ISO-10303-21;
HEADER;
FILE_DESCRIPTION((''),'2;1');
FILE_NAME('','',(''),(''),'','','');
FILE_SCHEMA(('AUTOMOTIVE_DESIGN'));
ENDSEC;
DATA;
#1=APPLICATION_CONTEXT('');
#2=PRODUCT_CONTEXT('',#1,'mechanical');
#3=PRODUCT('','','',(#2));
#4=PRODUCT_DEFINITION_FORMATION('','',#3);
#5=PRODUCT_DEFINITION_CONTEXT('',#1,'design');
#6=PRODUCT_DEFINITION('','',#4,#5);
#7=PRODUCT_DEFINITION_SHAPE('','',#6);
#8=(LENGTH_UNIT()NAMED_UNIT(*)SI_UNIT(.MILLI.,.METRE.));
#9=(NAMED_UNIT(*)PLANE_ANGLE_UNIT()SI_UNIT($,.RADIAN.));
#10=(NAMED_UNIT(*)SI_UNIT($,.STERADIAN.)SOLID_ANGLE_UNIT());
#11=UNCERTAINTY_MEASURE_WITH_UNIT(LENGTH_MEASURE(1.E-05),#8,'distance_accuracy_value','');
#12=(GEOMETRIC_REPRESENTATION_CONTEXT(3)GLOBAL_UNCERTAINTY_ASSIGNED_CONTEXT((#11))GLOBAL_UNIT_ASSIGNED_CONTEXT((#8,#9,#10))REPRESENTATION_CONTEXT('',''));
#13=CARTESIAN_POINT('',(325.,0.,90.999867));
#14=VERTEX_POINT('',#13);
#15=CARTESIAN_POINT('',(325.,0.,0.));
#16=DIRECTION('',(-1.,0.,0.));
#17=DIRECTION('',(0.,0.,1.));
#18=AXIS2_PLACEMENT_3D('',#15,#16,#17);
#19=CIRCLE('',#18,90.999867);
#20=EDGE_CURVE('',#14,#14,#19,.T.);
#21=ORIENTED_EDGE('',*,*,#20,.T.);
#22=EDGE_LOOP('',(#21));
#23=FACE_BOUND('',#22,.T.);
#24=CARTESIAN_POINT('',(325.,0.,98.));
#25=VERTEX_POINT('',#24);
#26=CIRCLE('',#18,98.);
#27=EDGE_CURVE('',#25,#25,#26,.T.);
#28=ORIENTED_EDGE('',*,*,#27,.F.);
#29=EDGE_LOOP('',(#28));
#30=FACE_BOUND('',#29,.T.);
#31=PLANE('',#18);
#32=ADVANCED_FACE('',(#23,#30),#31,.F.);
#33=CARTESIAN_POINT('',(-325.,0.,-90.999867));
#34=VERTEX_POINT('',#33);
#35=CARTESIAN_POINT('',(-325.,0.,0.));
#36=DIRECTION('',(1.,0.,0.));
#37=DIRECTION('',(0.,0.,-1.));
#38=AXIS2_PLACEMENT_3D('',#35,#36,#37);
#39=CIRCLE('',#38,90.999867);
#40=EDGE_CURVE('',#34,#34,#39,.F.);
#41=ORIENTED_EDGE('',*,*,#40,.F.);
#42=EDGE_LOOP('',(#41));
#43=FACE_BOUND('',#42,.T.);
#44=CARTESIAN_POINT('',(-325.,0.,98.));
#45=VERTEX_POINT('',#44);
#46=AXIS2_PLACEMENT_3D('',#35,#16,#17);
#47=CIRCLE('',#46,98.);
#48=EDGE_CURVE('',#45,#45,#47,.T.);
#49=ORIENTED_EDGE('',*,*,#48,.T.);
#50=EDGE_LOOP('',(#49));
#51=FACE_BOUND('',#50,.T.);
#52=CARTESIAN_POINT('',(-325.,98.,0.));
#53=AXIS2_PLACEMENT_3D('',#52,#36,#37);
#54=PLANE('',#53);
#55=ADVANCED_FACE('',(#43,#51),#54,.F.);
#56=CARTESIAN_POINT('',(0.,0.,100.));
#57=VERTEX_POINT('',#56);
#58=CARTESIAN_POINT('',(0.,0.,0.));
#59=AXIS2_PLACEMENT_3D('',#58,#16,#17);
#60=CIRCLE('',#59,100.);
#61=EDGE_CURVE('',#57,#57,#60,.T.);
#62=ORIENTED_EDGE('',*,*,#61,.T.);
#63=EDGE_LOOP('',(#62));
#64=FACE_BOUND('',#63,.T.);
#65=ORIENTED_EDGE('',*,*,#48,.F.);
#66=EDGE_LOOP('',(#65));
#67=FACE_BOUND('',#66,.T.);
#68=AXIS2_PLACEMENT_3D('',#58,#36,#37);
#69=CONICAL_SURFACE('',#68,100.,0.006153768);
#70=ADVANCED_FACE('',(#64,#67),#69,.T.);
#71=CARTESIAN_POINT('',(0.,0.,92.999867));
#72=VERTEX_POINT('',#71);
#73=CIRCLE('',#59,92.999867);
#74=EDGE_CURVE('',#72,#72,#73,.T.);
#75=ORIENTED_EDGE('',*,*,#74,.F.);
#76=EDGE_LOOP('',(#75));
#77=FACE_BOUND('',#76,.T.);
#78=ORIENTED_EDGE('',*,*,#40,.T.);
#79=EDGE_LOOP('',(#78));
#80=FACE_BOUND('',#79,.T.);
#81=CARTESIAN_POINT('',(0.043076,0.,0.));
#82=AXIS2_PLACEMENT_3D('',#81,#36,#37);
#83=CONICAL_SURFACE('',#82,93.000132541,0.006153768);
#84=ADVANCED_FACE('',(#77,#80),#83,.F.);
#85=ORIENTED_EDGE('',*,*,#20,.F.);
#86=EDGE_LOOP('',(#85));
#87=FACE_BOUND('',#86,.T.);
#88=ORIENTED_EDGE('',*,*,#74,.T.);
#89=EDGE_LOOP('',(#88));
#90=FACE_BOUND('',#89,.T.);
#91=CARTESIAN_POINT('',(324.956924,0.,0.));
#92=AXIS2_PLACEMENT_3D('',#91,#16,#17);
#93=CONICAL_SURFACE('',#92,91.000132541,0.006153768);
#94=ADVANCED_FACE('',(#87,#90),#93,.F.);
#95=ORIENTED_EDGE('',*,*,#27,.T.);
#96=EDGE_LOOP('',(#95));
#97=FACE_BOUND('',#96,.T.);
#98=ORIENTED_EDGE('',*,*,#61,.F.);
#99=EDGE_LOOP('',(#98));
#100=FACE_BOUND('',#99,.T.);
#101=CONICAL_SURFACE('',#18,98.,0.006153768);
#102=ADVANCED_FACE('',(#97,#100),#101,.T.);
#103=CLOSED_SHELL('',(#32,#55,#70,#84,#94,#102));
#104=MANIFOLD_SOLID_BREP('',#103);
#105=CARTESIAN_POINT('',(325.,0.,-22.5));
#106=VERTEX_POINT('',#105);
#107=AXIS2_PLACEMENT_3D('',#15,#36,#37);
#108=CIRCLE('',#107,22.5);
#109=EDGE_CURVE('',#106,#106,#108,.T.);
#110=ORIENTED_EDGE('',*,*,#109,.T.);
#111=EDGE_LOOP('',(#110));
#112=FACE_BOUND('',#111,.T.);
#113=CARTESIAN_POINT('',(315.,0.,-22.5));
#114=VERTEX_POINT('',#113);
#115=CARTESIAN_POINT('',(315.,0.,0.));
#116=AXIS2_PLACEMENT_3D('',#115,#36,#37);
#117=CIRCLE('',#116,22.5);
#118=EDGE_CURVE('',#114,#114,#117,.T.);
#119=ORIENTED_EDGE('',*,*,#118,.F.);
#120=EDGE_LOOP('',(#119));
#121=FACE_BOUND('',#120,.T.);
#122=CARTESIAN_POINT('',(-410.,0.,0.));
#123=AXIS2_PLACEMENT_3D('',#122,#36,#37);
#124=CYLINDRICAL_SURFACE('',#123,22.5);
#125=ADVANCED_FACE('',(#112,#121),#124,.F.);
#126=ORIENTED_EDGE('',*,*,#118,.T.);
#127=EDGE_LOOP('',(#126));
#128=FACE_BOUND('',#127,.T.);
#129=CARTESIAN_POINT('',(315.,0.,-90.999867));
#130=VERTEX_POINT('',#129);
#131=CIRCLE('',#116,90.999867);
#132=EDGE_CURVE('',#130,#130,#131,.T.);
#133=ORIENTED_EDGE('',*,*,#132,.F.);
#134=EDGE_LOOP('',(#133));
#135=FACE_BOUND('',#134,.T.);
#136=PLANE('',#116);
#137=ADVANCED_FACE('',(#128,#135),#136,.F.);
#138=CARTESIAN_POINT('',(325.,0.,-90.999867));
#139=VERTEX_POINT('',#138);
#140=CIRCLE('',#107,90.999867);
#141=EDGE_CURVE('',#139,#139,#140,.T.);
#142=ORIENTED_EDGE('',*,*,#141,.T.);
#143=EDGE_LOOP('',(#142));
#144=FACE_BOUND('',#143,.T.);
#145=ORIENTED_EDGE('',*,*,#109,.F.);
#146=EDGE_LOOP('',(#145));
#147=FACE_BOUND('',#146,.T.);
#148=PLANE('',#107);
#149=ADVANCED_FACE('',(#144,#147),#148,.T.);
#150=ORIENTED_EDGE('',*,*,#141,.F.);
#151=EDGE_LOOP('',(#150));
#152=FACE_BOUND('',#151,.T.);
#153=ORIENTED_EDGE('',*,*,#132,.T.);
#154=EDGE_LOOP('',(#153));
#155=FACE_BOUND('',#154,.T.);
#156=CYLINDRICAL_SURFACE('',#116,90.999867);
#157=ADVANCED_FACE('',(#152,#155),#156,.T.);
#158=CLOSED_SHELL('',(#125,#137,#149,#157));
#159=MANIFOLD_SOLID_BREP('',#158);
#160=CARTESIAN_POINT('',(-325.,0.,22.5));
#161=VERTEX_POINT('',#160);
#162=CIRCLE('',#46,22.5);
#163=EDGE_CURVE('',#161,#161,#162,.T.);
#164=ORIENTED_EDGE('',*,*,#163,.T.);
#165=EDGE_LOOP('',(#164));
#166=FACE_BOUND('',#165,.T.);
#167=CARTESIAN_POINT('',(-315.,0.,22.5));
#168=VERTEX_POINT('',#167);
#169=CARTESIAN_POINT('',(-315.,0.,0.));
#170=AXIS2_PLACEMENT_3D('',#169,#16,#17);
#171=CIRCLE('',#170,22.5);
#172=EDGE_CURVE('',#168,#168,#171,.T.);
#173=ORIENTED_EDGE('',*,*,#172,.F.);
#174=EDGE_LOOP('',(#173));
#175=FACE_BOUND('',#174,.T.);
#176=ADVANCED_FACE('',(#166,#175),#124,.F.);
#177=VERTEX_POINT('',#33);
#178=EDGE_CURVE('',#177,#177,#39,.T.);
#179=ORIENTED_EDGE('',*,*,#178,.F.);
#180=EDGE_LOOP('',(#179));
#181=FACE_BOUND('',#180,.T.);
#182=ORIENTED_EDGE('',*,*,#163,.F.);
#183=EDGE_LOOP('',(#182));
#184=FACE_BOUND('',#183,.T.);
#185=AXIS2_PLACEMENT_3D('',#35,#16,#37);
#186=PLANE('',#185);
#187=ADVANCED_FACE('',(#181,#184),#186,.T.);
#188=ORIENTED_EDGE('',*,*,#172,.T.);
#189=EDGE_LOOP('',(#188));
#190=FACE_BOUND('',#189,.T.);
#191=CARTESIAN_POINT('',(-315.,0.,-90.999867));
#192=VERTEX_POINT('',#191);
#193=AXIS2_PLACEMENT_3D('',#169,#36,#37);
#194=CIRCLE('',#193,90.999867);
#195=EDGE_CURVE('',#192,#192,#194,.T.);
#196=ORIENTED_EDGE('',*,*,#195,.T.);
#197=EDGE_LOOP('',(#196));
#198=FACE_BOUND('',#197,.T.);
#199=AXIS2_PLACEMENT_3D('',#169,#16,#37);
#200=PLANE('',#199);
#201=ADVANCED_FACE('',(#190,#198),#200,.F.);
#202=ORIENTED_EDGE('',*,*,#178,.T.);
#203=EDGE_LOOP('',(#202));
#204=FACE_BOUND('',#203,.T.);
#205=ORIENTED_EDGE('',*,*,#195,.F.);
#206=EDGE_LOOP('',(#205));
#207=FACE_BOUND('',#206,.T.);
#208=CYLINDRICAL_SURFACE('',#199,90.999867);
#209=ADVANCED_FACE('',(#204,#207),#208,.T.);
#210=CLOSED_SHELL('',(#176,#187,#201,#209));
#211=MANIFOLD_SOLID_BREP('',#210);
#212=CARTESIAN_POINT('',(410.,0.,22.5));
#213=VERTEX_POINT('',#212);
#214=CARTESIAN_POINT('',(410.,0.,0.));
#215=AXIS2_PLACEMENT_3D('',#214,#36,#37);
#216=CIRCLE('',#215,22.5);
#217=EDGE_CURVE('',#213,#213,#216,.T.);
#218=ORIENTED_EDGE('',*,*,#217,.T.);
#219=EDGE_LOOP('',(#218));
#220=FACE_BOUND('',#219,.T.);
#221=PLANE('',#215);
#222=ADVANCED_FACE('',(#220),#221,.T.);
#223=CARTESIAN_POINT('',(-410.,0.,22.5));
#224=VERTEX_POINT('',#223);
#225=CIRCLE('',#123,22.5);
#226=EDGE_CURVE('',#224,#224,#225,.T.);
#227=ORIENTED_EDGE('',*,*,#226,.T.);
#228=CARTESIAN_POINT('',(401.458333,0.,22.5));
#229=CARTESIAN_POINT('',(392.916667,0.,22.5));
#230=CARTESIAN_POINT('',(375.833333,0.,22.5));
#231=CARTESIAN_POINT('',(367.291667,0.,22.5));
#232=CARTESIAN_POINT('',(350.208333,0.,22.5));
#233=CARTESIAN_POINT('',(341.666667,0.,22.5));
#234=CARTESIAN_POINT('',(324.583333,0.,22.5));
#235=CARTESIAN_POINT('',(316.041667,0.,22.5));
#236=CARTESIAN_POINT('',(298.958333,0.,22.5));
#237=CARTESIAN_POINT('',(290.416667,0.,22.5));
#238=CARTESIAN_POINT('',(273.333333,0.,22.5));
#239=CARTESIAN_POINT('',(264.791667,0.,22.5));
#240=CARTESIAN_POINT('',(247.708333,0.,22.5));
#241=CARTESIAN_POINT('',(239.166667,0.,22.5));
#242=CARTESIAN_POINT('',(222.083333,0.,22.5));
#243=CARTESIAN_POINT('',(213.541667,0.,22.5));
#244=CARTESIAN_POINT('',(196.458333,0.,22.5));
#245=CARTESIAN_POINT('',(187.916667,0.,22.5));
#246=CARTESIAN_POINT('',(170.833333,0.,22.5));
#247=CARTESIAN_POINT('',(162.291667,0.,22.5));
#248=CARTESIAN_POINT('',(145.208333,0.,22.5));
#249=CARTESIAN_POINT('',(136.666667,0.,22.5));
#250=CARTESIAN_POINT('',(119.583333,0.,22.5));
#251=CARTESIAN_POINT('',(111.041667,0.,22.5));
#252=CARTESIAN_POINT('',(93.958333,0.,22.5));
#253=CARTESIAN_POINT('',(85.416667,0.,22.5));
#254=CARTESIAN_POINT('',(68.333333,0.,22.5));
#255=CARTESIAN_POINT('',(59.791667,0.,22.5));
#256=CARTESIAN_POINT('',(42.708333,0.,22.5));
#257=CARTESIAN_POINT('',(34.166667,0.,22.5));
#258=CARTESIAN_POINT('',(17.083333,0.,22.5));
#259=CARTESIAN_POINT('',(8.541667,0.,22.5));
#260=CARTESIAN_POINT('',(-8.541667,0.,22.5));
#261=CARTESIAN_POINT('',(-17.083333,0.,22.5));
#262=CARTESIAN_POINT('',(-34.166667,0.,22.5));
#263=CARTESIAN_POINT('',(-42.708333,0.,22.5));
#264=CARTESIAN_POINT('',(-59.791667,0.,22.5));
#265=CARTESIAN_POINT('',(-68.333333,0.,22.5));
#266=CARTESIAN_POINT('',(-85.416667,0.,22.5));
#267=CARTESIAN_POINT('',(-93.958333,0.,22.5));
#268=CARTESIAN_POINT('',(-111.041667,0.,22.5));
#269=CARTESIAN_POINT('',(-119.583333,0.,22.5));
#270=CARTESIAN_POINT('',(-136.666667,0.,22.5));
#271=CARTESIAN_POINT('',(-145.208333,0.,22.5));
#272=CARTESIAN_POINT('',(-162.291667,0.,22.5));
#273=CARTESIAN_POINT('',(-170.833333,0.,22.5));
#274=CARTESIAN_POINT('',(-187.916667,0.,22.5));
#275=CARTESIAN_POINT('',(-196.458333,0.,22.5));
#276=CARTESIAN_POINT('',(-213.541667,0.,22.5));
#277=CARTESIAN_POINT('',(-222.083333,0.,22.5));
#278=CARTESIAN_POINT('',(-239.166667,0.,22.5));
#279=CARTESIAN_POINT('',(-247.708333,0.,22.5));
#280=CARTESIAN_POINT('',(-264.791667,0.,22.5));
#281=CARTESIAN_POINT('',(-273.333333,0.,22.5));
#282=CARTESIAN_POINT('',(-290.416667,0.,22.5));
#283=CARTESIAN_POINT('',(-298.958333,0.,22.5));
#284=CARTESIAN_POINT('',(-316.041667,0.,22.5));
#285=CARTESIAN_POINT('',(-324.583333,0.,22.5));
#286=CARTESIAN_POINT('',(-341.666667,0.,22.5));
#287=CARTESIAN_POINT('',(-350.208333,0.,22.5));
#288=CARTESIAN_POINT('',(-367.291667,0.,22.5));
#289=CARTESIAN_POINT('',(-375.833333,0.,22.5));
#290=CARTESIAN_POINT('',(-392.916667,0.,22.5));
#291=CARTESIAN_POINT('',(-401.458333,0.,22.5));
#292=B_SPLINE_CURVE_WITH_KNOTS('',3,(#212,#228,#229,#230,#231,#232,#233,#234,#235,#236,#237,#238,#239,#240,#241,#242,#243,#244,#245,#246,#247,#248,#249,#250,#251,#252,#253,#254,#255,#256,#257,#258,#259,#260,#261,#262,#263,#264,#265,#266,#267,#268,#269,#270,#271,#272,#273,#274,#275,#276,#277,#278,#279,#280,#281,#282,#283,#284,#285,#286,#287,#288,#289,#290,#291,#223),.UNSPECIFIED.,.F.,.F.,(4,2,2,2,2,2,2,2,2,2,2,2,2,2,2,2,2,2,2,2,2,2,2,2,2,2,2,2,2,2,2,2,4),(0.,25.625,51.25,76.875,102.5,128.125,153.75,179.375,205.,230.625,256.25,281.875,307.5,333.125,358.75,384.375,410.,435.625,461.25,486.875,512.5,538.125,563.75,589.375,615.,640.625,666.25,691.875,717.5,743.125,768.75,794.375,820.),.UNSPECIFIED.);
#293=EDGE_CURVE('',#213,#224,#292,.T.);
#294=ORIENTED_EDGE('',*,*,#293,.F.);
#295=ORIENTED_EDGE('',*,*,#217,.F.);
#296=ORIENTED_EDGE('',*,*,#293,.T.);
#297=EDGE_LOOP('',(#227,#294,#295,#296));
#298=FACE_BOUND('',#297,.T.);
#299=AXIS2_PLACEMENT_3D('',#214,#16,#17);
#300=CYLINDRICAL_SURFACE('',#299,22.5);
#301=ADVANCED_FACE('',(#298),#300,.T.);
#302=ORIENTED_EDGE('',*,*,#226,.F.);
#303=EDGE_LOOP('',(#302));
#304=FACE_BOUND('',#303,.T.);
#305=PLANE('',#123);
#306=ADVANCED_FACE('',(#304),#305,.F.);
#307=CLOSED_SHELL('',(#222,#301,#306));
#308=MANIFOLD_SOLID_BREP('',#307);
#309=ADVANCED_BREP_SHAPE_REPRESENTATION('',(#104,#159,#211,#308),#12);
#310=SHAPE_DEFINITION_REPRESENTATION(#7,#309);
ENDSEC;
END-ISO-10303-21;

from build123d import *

# Parameters (mm, degrees)
SHELL1_T            = -7
SKETCH2_R           = 90.999867457
BOSS_EXTRUDE1_DEPTH = 10
SKETCH3_R           = 22.5
CUT_EXTRUDE1_DEPTH  = 735
SKETCH4_R           = 22.5
BOSS_EXTRUDE2_DEPTH = 410


with BuildPart() as part:
    # Sketch1 → Revolve1 (revolve)
    with BuildSketch(Plane.XY, mode=Mode.PRIVATE) as revolve1_sk:
        Polygon((-325, 98), (0, 100), (325, 98), (325, 0), (-325, 0), align=None)
    revolve(revolve1_sk.sketch.rotate(Axis((-325, 0, 0), (1, 0, 0)), 90), axis=Axis((-325, 0, 0), (1, 0, 0)))

    # Shell1
    shell1_openings = [part.faces().sort_by_distance(p)[0] for p in [
        (325, 0, 0),
        (-325, 0, 0),
    ]]
    offset(amount=SHELL1_T, openings=shell1_openings)


with BuildPart() as body_2:
    # Sketch2 → Boss-Extrude1 (new body)
    with BuildSketch(Plane(origin=(325, 0, 0), x_dir=(0, 0, -1), z_dir=(1, 0, 0))):
        Circle(SKETCH2_R)
    extrude(amount=-BOSS_EXTRUDE1_DEPTH)


with BuildPart() as body_3:
    # Mirror2: mirrored copy
    add(body_2.part.mirror(Plane(origin=(0, 0, 0), x_dir=(0, 0, 1), z_dir=(1, 0, 0))))


with BuildPart() as cut_extrude1_tool:
    # Sketch3 → Cut-Extrude1 (new body)
    with BuildSketch(Plane(origin=(325, 0, 0), x_dir=(0, 0, -1), z_dir=(1, 0, 0))):
        with Locations(Location((0, 0, 0), (0, 0, 180))):
            Circle(SKETCH3_R)
    extrude(amount=-CUT_EXTRUDE1_DEPTH)


with BuildPart() as body_2_1:
    add(body_2.part)

    # Cut-Extrude1: cut by cut_extrude1_tool
    add(cut_extrude1_tool.part, mode=Mode.SUBTRACT)


with BuildPart() as body_3_1:
    add(body_3.part)

    # Cut-Extrude1: cut by cut_extrude1_tool
    add(cut_extrude1_tool.part, mode=Mode.SUBTRACT)


with BuildPart() as body_4:
    # Sketch4 → Boss-Extrude2 (new, symmetric)
    with BuildSketch(Plane(origin=(0, 0, 0), x_dir=(0, 0, -1), z_dir=(1, 0, 0))):
        with Locations(Location((0, 0, 0), (0, 0, 180))):
            Circle(SKETCH4_R)
    extrude(amount=BOSS_EXTRUDE2_DEPTH, both=True)


solid = Compound([part.part, body_2_1.part, body_3_1.part, body_4.part])
